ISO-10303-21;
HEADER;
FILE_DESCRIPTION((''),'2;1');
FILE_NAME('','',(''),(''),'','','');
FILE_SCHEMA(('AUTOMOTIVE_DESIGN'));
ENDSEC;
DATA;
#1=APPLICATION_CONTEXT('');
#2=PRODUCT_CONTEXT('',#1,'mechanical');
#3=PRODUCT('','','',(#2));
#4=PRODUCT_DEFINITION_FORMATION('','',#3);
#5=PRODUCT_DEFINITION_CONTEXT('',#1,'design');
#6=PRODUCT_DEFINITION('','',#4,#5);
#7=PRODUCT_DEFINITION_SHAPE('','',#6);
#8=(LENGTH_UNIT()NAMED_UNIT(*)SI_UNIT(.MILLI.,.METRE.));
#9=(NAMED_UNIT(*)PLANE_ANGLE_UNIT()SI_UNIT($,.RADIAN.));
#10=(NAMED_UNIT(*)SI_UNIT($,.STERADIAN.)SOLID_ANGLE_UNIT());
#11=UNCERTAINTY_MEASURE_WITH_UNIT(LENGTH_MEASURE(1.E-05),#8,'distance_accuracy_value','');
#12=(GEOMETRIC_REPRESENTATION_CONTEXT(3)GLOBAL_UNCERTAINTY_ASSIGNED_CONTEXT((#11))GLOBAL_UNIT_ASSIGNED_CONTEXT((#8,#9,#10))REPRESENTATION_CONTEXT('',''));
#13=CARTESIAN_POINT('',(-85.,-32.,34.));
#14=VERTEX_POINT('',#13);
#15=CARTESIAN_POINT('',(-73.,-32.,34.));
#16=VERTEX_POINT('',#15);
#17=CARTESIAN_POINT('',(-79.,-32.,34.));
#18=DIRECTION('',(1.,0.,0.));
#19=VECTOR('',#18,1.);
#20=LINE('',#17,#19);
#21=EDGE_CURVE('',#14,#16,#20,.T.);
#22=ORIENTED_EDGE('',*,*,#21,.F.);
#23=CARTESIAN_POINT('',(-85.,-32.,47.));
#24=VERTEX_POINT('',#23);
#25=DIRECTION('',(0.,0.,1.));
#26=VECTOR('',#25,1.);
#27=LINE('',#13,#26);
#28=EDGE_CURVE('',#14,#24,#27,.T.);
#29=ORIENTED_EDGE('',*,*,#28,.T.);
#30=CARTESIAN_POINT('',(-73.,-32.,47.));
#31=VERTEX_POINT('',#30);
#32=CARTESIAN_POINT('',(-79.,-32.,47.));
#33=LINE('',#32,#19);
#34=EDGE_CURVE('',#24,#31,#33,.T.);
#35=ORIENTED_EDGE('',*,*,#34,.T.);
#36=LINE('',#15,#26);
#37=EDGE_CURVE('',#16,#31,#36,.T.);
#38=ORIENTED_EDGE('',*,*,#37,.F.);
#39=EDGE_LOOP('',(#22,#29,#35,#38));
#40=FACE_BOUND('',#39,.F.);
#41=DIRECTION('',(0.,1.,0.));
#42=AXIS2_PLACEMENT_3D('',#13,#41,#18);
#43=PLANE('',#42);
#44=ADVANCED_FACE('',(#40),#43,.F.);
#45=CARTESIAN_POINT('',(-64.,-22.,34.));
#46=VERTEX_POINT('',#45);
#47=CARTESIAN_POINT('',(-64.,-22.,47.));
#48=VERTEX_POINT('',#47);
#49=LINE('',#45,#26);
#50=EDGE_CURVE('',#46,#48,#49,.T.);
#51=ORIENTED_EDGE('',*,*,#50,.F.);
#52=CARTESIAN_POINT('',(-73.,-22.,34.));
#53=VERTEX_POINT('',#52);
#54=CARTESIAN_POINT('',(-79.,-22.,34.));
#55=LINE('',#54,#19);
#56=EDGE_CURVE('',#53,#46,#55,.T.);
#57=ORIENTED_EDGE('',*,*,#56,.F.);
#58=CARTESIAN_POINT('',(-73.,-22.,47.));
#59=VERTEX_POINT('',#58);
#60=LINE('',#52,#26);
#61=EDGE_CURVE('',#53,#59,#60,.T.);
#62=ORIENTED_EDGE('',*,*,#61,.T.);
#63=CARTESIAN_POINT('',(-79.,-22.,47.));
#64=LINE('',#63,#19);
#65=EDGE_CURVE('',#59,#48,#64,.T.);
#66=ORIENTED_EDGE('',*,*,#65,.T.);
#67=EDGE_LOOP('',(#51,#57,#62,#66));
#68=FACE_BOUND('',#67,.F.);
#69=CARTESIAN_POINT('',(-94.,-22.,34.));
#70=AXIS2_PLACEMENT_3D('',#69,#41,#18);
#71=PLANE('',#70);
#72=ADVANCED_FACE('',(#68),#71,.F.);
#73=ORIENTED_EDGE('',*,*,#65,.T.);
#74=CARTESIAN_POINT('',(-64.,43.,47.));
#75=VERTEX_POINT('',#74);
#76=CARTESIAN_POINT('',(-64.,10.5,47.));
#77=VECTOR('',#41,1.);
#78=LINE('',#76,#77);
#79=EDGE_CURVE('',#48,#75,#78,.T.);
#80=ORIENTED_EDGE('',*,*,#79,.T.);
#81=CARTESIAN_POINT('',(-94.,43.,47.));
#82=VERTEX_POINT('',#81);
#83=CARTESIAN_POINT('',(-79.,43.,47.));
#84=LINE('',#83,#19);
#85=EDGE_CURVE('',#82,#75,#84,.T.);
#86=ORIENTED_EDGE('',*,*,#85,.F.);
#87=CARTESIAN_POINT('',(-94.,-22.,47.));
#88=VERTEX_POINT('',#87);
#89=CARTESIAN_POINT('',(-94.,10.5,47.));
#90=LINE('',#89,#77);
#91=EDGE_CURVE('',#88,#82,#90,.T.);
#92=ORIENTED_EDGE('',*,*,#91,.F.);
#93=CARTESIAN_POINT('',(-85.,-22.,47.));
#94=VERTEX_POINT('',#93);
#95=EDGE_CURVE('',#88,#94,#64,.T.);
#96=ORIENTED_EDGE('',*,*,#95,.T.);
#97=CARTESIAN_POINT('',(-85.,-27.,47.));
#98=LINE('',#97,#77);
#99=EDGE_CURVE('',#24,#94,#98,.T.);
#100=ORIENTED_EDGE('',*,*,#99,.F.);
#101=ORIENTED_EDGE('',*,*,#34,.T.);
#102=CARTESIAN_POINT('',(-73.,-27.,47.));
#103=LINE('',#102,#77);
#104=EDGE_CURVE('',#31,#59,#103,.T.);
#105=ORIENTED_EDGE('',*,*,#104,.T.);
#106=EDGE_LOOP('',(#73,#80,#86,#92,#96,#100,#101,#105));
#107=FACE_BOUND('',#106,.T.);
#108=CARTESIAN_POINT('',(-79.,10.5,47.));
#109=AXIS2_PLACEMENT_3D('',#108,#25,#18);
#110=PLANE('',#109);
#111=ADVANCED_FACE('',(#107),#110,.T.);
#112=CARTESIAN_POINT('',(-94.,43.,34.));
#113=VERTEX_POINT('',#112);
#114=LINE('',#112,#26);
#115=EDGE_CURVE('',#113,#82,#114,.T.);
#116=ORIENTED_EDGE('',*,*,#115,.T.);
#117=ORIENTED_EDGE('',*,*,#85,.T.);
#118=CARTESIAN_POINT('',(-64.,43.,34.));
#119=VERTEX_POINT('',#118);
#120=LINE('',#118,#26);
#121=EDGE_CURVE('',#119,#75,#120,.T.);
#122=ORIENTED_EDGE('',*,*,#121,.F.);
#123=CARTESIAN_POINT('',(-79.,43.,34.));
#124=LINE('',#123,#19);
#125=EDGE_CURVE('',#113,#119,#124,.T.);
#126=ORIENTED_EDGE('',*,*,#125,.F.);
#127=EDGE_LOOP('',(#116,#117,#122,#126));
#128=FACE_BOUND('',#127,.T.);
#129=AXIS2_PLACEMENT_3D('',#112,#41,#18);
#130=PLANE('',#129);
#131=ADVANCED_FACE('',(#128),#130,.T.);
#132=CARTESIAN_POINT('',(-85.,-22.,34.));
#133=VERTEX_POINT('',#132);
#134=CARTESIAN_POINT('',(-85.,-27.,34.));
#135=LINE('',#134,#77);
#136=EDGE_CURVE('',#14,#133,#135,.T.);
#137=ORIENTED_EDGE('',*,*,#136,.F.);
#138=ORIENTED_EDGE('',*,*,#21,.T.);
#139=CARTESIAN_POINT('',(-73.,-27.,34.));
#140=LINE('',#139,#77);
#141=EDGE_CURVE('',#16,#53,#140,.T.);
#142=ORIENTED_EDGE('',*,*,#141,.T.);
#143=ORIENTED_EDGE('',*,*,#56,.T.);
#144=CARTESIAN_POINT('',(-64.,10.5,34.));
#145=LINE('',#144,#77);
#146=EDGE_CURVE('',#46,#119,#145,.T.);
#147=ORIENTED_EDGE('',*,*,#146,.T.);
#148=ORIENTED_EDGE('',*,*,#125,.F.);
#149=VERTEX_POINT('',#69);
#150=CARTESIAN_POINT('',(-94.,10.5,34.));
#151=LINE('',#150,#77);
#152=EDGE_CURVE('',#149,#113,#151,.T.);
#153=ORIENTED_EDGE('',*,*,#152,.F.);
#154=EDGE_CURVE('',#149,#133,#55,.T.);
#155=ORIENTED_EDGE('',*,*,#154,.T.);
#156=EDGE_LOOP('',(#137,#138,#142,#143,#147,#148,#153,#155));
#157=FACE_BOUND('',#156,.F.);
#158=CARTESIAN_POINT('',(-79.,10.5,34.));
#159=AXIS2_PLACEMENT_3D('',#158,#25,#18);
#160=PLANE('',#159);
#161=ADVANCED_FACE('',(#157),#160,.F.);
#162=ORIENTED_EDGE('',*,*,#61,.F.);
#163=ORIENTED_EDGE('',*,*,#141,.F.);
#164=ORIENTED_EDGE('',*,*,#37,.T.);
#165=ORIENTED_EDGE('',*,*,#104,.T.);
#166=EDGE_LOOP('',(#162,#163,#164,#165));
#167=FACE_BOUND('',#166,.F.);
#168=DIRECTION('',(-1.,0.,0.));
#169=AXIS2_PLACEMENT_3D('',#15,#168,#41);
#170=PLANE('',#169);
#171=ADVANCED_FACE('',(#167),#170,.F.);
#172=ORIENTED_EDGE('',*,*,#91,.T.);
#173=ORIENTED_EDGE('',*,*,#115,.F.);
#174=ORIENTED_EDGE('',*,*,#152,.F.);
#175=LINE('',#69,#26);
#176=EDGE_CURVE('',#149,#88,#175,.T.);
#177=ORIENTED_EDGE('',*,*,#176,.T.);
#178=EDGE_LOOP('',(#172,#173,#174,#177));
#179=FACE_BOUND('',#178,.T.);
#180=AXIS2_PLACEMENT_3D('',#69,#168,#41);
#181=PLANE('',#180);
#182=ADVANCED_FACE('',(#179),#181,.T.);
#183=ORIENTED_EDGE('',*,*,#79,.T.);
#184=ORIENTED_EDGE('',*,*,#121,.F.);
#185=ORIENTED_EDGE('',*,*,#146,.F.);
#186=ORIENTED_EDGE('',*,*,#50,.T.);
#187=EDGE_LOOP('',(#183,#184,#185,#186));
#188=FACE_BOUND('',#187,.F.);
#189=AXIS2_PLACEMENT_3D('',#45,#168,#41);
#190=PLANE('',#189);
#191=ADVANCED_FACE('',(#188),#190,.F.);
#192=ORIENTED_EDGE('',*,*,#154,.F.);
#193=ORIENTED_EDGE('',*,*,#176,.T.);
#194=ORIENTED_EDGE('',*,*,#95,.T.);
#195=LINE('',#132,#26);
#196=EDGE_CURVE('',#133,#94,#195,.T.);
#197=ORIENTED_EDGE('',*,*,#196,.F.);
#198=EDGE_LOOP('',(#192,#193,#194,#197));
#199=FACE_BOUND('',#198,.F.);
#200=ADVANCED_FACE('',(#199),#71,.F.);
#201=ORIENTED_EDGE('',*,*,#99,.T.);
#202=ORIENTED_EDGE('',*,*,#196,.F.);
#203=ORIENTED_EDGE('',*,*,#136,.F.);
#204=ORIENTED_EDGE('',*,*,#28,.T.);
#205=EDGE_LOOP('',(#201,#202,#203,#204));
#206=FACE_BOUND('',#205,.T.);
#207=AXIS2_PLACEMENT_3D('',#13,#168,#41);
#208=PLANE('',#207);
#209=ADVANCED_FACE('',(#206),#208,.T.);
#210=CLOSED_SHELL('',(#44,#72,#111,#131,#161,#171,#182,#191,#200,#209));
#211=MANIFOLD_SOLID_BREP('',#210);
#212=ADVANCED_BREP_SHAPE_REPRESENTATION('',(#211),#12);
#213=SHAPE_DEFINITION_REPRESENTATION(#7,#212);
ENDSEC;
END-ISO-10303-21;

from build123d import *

# Parameters (mm, degrees)
BOX325_W     = 12
BOX325_H     = 10
BOX325_DEPTH = 13
BOX297_W     = 30
BOX297_H     = 65
BOX297_DEPTH = 13


with BuildPart() as box325:
    # Box325 → Box325 (new body)
    with BuildSketch(Plane(origin=(-85, -32, 34), x_dir=(1, 0, 0), z_dir=(0, 0, 1))):
        with Locations((6, 5)):
            Rectangle(BOX325_W, BOX325_H)
    extrude(amount=BOX325_DEPTH)


with BuildPart() as coral:
    # Box297 → Box297 (new body)
    with BuildSketch(Plane(origin=(-94, -22, 34), x_dir=(1, 0, 0), z_dir=(0, 0, 1))):
        with Locations((15, 32.5)):
            Rectangle(BOX297_W, BOX297_H)
    extrude(amount=BOX297_DEPTH)

    # Fusion197: union Box325
    add(box325.part)


solid = coral.part
